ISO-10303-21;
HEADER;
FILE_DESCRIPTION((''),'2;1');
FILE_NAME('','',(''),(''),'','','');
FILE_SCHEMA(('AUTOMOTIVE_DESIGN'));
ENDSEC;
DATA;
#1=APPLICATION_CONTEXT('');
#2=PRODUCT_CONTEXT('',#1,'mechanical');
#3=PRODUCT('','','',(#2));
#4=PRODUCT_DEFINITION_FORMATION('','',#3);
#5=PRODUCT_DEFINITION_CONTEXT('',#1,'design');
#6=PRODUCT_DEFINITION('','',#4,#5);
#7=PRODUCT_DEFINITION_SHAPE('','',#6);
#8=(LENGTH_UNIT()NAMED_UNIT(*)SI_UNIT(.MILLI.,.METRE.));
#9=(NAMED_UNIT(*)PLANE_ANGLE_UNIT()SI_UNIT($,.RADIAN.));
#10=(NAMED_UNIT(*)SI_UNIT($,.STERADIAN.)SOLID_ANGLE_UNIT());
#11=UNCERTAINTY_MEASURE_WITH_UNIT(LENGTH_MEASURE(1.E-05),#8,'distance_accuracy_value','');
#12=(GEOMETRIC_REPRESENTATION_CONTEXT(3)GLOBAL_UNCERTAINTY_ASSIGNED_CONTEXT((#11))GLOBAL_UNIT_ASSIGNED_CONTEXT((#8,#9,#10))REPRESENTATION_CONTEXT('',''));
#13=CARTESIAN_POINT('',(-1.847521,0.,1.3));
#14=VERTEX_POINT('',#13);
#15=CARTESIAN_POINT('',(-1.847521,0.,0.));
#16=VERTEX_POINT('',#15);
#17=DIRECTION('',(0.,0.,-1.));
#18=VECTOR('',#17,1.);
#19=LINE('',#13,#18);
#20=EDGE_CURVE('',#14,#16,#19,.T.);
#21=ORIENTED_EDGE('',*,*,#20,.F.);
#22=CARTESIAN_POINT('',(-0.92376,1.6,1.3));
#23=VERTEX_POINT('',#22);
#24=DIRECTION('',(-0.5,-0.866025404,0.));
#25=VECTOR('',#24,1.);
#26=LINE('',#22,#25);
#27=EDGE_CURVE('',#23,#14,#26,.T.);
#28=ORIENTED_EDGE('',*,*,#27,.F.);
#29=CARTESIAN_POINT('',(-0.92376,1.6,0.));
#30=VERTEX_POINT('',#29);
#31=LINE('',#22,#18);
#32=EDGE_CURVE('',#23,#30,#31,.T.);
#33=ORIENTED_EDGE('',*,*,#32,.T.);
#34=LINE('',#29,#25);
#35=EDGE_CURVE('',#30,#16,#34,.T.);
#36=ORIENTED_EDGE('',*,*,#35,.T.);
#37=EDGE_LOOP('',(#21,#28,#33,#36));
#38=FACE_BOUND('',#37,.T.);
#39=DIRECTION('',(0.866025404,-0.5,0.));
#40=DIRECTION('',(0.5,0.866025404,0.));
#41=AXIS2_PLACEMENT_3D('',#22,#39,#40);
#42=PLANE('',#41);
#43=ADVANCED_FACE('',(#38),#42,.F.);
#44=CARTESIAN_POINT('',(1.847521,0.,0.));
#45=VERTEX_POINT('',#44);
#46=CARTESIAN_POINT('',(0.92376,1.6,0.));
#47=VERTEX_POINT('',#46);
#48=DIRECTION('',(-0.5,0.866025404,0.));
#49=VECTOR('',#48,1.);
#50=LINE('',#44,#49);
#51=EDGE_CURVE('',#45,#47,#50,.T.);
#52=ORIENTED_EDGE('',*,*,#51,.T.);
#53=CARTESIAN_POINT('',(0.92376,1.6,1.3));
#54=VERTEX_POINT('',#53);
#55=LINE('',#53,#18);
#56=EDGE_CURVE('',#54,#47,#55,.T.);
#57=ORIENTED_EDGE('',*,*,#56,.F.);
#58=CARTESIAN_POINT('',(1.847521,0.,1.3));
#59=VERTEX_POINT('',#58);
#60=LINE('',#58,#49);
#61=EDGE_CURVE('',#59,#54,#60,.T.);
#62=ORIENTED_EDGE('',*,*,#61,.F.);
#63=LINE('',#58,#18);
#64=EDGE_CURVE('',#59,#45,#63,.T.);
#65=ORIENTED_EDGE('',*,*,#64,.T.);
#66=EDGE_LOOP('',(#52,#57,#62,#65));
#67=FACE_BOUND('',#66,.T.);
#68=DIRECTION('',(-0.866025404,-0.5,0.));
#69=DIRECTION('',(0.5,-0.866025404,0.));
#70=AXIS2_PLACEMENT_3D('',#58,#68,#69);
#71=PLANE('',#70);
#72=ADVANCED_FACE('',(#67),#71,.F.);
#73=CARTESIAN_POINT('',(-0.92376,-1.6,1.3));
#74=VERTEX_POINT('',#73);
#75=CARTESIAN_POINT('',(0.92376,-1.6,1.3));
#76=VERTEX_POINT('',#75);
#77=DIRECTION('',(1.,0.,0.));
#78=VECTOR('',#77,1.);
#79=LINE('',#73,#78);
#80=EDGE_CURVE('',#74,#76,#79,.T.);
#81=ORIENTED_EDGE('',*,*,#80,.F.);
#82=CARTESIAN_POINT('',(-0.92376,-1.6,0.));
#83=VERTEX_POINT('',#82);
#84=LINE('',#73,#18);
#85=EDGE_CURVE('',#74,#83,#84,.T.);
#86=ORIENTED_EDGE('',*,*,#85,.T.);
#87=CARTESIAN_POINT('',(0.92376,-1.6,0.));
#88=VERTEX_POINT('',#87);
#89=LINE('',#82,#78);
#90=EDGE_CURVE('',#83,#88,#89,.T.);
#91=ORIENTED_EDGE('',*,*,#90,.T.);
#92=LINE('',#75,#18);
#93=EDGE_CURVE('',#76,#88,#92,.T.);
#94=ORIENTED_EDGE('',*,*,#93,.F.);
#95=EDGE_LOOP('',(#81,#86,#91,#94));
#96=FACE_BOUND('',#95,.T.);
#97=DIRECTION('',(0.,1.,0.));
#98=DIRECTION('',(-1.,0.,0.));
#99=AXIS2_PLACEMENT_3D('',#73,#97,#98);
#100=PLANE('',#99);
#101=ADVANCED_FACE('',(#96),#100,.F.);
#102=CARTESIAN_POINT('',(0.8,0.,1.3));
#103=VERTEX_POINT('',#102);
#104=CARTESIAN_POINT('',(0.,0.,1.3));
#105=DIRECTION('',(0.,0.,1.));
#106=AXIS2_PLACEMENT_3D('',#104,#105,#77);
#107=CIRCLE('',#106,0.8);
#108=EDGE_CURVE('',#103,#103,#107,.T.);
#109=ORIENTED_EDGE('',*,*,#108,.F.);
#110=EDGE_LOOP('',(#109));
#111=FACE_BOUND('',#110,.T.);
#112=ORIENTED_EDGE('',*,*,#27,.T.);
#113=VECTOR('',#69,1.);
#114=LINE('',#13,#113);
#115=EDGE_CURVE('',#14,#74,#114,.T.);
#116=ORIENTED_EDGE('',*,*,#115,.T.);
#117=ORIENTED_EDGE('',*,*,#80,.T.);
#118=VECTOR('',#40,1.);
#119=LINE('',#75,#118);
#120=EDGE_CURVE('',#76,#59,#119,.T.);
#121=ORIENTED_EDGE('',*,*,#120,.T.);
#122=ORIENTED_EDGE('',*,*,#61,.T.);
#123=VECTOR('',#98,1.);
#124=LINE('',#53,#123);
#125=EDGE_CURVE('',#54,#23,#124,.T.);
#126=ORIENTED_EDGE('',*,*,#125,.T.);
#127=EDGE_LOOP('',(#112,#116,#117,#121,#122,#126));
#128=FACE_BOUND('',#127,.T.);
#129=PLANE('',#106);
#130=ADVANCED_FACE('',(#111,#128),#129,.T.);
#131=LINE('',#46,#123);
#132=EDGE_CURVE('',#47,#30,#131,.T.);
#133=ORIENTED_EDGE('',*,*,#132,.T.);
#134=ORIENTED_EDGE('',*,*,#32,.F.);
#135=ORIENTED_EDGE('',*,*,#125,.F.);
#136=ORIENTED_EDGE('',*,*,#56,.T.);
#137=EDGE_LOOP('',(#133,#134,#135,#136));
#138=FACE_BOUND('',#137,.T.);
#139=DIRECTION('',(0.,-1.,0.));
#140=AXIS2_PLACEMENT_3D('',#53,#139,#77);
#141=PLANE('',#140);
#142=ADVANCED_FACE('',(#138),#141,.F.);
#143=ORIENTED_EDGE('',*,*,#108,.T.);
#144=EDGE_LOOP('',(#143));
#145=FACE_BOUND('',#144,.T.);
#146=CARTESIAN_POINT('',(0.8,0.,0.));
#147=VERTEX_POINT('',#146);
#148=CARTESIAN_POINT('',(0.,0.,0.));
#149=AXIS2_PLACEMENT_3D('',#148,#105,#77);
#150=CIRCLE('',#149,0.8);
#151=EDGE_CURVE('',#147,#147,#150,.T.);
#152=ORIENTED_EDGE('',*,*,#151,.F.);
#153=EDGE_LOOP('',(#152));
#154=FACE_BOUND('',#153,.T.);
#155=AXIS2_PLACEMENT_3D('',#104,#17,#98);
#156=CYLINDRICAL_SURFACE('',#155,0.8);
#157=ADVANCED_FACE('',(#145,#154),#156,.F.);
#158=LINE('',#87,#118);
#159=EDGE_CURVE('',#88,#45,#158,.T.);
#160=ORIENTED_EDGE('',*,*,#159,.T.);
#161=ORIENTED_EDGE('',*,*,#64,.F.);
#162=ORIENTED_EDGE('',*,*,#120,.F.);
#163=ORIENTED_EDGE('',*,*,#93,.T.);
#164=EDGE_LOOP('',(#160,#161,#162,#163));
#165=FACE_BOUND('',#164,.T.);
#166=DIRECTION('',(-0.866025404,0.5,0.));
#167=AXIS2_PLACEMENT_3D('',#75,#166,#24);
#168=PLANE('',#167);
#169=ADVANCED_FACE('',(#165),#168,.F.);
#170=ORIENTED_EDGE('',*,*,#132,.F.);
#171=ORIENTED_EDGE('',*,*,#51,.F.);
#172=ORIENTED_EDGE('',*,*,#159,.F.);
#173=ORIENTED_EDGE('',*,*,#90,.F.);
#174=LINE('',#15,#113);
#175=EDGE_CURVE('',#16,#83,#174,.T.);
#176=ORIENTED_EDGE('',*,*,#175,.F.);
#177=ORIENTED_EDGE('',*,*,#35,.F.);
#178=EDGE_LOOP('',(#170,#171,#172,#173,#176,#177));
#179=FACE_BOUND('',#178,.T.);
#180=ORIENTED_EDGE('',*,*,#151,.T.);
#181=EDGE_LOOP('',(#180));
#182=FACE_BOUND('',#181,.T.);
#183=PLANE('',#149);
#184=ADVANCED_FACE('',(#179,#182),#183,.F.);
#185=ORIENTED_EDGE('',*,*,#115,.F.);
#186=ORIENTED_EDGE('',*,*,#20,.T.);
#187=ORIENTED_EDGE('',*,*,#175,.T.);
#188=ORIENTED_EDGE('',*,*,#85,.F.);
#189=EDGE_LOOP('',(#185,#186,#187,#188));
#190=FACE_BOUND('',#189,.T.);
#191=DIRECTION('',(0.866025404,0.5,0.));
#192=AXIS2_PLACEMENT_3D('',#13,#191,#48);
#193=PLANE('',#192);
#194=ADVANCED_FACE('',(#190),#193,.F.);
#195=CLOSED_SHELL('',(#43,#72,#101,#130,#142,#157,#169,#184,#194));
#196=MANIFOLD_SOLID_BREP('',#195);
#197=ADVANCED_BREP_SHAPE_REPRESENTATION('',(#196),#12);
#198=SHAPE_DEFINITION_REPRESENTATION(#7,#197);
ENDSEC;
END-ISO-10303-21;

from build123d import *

# Parameters (mm, degrees)
SKETCH1_R = 0.8
NUT_DEPTH = 1.3


with BuildPart() as part:
    # Sketch1 → Nut (new body)
    with BuildSketch(Plane.XY):
        Polygon((1.847520861, 0), (0.923760431, 1.6), (-0.923760431, 1.6), (-1.847520861, 0), (-0.923760431, -1.6), (0.923760431, -1.6), align=None)
        Circle(SKETCH1_R, mode=Mode.SUBTRACT)
    extrude(amount=NUT_DEPTH)


solid = part.part
